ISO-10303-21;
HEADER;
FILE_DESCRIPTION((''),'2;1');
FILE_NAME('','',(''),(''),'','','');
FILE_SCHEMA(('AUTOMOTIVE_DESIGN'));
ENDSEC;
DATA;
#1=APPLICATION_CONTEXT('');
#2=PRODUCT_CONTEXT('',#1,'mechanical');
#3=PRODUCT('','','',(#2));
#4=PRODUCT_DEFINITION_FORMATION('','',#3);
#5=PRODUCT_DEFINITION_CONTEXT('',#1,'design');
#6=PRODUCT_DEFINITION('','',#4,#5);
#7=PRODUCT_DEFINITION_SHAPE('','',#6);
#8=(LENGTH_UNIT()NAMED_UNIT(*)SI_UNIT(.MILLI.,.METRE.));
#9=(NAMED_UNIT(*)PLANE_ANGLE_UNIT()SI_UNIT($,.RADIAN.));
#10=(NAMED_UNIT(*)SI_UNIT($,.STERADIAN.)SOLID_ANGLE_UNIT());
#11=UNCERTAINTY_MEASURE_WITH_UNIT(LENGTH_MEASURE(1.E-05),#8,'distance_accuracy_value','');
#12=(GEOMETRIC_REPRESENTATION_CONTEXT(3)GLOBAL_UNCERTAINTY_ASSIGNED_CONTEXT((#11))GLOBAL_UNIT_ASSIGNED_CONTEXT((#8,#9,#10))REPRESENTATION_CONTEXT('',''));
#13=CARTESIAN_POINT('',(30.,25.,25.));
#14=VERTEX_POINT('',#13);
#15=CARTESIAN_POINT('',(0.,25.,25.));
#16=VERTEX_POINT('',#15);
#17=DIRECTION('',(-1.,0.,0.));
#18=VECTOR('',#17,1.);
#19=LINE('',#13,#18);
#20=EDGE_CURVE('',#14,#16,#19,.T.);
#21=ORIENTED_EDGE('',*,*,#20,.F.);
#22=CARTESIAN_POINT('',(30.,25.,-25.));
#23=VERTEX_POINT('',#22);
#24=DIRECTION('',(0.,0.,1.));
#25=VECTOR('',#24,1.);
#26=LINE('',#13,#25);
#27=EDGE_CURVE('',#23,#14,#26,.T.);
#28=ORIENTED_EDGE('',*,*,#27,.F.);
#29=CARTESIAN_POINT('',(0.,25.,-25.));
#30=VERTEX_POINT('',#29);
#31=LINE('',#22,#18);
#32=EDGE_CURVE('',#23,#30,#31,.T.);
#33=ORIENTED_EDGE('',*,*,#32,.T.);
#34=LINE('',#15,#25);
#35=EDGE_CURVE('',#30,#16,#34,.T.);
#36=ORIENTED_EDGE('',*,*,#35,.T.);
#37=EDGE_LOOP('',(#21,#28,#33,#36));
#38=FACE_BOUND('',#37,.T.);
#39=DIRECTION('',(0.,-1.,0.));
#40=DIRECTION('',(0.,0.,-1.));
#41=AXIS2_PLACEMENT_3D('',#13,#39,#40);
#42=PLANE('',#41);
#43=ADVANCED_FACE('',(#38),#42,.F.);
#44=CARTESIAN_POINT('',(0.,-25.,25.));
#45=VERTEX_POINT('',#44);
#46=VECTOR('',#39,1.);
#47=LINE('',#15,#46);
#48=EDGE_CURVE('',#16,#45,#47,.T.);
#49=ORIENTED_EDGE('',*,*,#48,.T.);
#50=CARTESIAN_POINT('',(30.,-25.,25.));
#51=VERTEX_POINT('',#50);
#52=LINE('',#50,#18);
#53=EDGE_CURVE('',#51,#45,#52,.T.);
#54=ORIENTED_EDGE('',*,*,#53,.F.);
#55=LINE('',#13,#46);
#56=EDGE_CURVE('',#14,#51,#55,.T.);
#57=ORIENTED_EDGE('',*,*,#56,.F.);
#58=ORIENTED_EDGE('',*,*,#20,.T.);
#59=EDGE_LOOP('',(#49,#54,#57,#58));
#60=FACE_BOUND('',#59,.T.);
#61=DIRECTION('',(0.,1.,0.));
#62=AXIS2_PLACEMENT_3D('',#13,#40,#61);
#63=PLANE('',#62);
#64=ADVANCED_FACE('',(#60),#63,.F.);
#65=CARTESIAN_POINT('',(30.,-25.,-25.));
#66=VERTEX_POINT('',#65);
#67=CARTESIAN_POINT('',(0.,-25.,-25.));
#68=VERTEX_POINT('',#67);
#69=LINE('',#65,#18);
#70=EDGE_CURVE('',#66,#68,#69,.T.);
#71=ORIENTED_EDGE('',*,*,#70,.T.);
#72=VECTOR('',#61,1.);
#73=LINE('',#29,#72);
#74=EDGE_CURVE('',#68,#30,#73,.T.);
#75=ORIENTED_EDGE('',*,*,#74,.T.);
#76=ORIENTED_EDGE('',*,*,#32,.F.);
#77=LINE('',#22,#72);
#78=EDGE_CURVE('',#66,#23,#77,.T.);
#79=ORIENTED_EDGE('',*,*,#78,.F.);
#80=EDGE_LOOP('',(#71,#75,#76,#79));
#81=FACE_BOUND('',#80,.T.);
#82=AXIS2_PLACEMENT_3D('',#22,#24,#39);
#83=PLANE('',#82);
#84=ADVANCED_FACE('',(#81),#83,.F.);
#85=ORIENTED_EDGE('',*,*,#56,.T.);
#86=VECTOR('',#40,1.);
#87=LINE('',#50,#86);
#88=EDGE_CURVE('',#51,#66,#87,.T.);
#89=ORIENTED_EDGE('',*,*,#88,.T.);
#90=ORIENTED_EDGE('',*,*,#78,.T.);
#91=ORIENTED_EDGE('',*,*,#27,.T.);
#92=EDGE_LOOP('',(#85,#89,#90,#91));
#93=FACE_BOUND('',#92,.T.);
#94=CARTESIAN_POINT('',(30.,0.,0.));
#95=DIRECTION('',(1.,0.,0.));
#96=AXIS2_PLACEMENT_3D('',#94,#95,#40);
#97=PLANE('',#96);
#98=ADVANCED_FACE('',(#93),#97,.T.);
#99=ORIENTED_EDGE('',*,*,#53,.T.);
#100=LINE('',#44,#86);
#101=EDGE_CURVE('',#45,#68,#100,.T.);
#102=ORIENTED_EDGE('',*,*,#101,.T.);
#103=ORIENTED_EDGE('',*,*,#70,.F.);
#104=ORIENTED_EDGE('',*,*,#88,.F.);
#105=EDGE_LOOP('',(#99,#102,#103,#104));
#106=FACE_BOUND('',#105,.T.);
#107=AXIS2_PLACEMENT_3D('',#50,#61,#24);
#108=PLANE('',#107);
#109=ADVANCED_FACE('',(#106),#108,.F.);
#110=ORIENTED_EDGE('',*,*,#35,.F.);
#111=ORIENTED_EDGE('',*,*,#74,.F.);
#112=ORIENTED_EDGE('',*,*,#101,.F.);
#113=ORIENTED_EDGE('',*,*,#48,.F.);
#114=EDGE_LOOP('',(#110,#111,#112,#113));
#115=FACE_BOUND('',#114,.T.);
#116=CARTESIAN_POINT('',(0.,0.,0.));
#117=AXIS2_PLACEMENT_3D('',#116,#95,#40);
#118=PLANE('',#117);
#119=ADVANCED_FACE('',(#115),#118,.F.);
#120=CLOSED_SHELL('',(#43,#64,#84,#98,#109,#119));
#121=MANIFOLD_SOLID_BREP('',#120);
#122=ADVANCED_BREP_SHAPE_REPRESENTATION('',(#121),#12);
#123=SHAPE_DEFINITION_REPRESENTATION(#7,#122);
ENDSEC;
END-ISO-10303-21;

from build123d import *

# Parameters (mm, degrees)
SKETCH1_W           = 50
SKETCH1_H           = 50
BOSS_EXTRUDE1_DEPTH = 30


with BuildPart() as part:
    # Sketch1 → Boss-Extrude1 (new body)
    with BuildSketch(Plane(origin=(0, 0, 0), x_dir=(0, 0, -1), z_dir=(1, 0, 0))):
        Rectangle(SKETCH1_W, SKETCH1_H)
    extrude(amount=BOSS_EXTRUDE1_DEPTH)


solid = part.part
